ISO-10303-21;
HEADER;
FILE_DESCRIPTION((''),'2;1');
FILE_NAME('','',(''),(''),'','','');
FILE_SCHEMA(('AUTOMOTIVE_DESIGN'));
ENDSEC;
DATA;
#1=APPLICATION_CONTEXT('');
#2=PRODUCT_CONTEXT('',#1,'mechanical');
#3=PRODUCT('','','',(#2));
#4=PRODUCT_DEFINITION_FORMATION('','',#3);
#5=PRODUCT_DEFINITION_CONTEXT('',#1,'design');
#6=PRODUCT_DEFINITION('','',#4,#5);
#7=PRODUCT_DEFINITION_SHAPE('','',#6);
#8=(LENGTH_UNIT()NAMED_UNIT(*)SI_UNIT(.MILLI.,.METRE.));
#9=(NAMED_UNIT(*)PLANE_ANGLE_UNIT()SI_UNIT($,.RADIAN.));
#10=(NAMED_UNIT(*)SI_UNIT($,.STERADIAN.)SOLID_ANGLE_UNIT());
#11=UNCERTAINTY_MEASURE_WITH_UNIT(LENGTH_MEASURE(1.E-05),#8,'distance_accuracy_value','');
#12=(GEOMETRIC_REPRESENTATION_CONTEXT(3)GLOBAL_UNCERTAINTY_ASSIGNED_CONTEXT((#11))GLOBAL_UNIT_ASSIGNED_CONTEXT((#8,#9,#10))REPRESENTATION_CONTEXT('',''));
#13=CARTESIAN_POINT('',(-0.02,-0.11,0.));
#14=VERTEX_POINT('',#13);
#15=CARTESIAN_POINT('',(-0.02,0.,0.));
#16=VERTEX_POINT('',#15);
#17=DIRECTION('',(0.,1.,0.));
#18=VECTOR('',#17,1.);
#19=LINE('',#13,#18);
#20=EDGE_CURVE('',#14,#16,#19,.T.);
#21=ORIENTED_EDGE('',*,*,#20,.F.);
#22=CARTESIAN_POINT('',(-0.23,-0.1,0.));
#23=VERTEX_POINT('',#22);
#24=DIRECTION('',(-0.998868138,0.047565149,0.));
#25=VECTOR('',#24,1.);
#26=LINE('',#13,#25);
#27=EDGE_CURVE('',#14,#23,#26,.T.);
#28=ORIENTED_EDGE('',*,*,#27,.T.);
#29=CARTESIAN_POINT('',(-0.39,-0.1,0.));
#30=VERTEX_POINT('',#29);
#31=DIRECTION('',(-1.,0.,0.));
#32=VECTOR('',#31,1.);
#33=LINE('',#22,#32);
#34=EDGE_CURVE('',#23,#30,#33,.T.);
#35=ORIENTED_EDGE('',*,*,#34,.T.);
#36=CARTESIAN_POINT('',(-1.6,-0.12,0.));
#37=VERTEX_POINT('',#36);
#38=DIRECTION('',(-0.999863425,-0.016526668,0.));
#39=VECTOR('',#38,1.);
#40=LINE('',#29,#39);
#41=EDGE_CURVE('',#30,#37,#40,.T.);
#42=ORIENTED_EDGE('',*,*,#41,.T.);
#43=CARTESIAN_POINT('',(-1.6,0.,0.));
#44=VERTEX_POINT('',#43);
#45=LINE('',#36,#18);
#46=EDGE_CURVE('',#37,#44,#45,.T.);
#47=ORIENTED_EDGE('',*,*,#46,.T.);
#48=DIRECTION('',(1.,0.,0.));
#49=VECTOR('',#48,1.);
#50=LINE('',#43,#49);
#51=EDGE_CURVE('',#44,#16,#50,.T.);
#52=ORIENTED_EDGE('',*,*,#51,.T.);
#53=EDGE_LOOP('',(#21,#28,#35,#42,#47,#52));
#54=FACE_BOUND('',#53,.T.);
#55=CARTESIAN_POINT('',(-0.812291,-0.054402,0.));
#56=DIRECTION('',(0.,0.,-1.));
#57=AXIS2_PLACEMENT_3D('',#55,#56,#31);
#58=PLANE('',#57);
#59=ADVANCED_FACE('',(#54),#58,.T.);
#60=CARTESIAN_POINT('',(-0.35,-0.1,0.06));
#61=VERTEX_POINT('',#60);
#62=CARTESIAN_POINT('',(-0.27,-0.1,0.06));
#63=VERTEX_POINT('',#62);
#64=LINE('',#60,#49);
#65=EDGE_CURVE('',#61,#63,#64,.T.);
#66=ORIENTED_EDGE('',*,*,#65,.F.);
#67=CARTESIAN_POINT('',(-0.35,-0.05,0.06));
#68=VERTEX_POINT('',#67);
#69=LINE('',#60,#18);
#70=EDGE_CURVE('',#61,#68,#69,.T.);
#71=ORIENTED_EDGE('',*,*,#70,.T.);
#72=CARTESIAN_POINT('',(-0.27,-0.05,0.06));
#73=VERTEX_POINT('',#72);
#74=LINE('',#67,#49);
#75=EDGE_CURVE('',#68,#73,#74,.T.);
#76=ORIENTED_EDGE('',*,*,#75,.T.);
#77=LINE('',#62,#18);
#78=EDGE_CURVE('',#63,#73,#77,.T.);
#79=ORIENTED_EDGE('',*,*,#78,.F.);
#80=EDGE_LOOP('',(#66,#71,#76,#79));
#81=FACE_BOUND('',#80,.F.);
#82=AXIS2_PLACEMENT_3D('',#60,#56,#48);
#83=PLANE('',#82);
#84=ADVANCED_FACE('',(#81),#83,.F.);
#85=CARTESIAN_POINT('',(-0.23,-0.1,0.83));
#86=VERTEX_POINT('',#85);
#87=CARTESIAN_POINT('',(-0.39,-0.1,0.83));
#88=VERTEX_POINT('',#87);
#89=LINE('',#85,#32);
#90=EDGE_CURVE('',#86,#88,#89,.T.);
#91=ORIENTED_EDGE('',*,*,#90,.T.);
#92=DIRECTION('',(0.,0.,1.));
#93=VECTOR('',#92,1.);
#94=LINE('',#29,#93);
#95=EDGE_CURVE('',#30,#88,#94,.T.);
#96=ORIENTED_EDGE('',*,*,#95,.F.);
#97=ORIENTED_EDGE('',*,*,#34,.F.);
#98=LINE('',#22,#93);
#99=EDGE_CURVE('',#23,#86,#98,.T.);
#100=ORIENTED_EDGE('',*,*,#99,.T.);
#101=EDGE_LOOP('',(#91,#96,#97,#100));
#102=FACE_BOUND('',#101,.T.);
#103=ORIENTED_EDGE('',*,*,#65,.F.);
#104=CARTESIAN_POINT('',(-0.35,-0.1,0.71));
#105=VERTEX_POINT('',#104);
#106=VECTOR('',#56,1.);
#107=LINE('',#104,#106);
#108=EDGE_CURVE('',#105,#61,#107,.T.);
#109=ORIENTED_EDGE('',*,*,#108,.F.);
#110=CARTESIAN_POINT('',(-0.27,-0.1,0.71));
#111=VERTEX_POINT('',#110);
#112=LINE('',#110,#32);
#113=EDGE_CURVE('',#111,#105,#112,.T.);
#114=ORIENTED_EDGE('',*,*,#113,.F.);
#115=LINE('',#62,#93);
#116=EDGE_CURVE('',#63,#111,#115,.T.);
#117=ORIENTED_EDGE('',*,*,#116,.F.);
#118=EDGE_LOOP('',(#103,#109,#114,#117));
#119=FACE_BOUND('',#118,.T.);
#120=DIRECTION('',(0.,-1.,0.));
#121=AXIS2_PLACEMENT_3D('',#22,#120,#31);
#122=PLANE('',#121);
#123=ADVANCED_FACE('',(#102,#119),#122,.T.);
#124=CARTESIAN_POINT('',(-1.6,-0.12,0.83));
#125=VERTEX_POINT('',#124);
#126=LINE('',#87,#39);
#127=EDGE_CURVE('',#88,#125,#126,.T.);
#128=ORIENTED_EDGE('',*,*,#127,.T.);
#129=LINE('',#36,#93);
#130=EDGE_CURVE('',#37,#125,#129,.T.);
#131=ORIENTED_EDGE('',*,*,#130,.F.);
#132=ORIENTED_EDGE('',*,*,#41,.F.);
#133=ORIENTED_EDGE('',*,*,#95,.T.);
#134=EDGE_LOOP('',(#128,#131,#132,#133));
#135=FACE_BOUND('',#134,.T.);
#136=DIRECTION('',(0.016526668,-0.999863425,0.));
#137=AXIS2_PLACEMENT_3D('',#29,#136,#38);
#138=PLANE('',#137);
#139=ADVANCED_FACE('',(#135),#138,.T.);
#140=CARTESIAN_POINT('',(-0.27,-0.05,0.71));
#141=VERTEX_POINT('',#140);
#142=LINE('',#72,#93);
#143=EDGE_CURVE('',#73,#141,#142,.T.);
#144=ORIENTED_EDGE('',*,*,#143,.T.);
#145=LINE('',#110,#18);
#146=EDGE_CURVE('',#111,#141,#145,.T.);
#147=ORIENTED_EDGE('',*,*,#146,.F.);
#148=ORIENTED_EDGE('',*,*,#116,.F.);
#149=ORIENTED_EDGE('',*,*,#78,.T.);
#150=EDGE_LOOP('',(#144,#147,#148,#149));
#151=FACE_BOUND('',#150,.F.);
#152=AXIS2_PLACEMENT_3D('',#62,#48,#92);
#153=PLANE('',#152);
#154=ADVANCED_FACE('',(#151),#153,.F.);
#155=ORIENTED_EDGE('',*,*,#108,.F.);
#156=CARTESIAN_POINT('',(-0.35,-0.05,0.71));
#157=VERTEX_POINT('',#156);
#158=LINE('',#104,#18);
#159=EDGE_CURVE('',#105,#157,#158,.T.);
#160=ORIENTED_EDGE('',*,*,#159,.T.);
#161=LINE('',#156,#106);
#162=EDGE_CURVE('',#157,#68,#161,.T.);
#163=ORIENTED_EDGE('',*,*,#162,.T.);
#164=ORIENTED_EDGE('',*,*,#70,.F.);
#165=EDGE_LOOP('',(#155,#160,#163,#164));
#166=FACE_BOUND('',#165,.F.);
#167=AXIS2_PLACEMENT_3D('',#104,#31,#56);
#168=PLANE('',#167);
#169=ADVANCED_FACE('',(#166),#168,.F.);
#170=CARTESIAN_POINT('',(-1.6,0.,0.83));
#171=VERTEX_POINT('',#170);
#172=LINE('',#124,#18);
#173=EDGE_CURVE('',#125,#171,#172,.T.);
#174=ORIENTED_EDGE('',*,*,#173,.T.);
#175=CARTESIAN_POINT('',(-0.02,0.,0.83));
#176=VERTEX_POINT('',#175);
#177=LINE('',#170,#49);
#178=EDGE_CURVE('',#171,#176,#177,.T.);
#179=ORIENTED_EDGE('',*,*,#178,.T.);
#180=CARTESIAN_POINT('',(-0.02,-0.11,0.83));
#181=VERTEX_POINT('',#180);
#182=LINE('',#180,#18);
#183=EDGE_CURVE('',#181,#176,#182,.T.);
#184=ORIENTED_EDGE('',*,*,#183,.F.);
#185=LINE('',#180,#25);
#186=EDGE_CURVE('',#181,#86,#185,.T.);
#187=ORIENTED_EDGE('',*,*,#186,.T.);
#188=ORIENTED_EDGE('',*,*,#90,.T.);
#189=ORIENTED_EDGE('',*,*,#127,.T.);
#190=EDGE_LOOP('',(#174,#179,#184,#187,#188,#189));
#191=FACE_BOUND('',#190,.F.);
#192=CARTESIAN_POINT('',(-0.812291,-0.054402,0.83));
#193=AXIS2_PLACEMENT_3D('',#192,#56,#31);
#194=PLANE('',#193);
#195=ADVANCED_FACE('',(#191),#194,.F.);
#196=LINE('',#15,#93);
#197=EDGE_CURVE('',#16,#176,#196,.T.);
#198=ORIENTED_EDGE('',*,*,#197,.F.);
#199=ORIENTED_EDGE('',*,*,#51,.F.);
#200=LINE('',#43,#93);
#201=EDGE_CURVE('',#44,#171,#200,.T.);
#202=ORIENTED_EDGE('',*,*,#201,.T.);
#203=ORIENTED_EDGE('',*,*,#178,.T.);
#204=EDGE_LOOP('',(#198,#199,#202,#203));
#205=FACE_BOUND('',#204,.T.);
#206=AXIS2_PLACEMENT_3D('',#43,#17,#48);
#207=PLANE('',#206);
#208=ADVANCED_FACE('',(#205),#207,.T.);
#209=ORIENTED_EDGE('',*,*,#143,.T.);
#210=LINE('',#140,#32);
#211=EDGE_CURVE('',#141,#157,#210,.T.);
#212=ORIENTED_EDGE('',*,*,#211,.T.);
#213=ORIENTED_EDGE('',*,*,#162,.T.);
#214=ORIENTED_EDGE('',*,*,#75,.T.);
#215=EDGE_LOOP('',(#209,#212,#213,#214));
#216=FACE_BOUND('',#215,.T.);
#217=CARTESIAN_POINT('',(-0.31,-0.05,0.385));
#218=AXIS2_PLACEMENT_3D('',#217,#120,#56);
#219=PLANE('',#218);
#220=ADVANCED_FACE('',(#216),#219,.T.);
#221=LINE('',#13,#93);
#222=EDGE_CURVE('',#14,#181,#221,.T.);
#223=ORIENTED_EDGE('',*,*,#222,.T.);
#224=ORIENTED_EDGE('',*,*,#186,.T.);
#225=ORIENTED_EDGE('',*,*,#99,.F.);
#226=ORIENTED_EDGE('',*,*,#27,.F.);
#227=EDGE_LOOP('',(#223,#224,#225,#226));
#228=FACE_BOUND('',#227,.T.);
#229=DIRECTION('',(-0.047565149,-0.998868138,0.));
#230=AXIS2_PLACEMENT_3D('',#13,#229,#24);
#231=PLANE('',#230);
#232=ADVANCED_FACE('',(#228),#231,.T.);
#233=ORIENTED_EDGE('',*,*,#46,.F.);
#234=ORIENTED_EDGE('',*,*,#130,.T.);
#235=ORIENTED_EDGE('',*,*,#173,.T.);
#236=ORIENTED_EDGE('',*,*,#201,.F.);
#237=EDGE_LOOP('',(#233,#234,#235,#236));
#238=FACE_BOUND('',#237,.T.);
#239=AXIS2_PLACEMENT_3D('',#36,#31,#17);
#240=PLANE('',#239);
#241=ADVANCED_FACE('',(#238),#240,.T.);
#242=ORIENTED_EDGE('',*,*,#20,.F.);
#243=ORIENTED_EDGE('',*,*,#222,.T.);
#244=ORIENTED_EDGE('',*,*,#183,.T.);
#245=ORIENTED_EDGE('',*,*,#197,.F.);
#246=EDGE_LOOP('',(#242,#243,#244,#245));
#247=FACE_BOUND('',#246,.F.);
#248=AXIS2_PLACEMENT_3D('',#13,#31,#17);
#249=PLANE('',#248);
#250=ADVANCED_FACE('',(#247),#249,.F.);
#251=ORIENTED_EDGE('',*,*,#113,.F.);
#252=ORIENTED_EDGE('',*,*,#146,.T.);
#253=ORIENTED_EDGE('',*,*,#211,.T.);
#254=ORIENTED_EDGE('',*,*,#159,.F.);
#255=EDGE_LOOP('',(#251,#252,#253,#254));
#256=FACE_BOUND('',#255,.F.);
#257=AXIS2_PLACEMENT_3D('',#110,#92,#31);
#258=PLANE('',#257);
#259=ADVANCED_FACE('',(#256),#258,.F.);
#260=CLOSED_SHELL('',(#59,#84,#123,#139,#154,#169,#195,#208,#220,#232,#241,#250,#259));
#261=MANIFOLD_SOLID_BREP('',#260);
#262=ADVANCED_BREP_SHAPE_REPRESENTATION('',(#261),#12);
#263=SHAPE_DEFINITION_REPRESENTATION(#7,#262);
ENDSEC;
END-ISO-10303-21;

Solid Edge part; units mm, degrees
sketch "Sketch1" plane through (0, 0, 0) normal (0, 0, 1) x (1, 0, 0)
  line L0 (-1.6, 0) -> (-0.02, 0)
  line L1 (-0.02, -0.11) -> (-0.02, 0)
  line L2 (-0.02, -0.11) -> (-0.23, -0.1)
  line L3 (-0.23, -0.1) -> (-0.39, -0.1)
  line L4 (-0.39, -0.1) -> (-1.6, -0.12)
  line L5 (-1.6, -0.12) -> (-1.6, 0)
  dimension "D1" = 0.02
  dimension "D2" = 1.6
  dimension "D3" = 1.6
  dimension "D4" = 0.23
extrude "Protrusion1" add sketch "Sketch1" along normal blind 0.83
sketch "Sketch2" plane through (-0.31, -0.1, 0.415) normal (0, -1, 0) x (0, 0, -1)
  line L0 (-0.295, -0.04) -> (0.355, -0.04)
  line L1 (0.355, -0.04) -> (0.355, 0.04)
  line L2 (0.355, 0.04) -> (-0.295, 0.04)
  line L3 (-0.295, 0.04) -> (-0.295, -0.04)
  dimension "D1" = 0.295
  dimension "D2" = 0.355
extrude "Ausschnitt_1" cut sketch "Sketch2" against normal blind 0.05
